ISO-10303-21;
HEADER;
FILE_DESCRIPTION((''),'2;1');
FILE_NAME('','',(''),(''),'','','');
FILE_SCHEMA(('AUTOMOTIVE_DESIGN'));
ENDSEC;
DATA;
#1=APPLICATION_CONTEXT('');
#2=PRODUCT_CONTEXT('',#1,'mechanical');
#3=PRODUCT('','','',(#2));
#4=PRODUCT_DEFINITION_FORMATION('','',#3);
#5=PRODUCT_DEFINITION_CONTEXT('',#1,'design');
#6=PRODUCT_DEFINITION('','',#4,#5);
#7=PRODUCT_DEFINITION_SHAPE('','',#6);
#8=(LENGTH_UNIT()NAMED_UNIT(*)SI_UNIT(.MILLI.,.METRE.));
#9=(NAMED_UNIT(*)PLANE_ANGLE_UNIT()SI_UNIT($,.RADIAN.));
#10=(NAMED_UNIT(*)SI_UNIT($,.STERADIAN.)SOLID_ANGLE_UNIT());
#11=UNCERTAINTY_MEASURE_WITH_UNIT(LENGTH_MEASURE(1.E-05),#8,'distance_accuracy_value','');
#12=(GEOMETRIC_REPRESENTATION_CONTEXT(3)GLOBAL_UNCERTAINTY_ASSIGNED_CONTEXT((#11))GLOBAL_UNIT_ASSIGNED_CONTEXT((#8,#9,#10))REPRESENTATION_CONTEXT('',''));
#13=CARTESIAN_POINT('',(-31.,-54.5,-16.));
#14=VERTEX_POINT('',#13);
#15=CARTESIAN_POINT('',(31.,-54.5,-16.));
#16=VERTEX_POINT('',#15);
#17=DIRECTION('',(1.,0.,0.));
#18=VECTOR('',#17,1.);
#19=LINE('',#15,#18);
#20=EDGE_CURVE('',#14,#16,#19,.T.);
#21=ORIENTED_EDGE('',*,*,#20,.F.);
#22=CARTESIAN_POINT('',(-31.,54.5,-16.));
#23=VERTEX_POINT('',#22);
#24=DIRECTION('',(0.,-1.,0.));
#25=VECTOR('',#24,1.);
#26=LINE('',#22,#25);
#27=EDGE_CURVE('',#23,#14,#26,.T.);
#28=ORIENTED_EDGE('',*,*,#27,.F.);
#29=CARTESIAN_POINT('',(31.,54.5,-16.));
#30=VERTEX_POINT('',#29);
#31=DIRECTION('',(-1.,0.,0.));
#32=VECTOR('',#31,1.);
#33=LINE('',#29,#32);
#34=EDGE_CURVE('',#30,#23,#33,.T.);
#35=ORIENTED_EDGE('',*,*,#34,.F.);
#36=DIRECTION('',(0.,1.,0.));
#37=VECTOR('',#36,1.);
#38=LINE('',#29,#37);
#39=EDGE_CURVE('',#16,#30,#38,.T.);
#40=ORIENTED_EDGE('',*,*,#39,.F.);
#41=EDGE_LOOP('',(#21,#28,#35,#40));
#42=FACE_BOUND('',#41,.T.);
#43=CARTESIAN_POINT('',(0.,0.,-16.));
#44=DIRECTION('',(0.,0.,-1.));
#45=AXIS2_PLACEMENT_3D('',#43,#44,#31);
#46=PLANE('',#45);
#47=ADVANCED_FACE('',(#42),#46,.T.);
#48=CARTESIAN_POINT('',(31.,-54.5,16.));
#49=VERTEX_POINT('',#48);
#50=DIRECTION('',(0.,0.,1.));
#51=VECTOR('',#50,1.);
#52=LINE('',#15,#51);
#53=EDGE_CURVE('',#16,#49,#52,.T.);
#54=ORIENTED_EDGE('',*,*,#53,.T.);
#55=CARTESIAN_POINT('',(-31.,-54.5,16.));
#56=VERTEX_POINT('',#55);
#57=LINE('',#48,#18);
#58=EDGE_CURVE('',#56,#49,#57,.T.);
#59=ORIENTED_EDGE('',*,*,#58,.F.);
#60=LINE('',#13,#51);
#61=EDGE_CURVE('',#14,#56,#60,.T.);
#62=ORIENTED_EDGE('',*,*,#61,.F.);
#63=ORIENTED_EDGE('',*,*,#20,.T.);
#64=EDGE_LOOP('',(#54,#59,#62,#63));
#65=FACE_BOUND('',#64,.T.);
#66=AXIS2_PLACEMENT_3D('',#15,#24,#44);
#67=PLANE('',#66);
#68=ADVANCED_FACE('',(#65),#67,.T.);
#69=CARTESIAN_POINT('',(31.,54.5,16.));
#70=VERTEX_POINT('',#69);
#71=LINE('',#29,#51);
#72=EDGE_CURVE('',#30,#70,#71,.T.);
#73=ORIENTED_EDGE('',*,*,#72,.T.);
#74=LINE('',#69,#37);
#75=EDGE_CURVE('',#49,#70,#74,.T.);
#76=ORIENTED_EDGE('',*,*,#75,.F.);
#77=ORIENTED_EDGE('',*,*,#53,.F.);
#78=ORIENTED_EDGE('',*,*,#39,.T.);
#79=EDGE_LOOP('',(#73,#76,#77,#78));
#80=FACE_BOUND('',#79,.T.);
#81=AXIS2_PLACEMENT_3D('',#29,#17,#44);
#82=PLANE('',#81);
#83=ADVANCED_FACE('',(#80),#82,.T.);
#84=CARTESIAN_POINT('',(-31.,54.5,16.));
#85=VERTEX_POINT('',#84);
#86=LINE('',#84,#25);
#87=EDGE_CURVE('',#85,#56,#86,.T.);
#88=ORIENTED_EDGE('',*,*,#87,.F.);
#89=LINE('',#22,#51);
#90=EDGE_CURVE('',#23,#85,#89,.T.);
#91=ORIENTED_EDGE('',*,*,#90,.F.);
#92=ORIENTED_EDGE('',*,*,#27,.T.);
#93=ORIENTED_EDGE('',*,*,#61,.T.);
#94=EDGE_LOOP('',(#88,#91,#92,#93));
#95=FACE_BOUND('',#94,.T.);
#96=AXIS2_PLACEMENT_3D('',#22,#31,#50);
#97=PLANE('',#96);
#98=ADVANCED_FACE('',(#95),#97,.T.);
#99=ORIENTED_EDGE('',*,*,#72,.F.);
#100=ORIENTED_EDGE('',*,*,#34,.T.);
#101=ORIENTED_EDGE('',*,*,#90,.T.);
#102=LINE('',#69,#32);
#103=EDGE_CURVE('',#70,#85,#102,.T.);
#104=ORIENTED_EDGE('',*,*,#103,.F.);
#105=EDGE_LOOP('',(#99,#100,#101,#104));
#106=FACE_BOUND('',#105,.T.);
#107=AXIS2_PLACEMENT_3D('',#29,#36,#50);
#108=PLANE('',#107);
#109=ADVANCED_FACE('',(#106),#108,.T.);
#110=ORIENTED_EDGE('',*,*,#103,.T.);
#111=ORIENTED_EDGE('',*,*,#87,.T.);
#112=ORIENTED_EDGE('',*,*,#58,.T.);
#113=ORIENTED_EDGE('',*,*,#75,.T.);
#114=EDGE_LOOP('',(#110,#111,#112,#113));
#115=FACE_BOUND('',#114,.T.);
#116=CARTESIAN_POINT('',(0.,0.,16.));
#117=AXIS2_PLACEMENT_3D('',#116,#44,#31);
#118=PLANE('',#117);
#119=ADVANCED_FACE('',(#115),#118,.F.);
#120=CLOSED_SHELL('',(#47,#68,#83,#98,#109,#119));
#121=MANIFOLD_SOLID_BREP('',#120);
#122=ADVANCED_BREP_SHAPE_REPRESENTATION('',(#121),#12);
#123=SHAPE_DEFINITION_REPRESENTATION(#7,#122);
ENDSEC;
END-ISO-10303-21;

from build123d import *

# Parameters (mm, degrees)
ESTRUSIONE_ESTRUSIONE1_DEPTH      = 16
ESTRUSIONE_ESTRUSIONE1_DEPTH_BACK = 16
SCHIZZO1_W                        = 62
SCHIZZO1_H                        = 109


with BuildPart() as part:
    # Schizzo1 → Estrusione-Estrusione1 (new, two sides: drawn at the far end of the back side and taken through both)
    with BuildSketch(Plane.XY.offset(-ESTRUSIONE_ESTRUSIONE1_DEPTH_BACK)):
        Rectangle(SCHIZZO1_W, SCHIZZO1_H)
    extrude(amount=ESTRUSIONE_ESTRUSIONE1_DEPTH + ESTRUSIONE_ESTRUSIONE1_DEPTH_BACK)


solid = part.part
